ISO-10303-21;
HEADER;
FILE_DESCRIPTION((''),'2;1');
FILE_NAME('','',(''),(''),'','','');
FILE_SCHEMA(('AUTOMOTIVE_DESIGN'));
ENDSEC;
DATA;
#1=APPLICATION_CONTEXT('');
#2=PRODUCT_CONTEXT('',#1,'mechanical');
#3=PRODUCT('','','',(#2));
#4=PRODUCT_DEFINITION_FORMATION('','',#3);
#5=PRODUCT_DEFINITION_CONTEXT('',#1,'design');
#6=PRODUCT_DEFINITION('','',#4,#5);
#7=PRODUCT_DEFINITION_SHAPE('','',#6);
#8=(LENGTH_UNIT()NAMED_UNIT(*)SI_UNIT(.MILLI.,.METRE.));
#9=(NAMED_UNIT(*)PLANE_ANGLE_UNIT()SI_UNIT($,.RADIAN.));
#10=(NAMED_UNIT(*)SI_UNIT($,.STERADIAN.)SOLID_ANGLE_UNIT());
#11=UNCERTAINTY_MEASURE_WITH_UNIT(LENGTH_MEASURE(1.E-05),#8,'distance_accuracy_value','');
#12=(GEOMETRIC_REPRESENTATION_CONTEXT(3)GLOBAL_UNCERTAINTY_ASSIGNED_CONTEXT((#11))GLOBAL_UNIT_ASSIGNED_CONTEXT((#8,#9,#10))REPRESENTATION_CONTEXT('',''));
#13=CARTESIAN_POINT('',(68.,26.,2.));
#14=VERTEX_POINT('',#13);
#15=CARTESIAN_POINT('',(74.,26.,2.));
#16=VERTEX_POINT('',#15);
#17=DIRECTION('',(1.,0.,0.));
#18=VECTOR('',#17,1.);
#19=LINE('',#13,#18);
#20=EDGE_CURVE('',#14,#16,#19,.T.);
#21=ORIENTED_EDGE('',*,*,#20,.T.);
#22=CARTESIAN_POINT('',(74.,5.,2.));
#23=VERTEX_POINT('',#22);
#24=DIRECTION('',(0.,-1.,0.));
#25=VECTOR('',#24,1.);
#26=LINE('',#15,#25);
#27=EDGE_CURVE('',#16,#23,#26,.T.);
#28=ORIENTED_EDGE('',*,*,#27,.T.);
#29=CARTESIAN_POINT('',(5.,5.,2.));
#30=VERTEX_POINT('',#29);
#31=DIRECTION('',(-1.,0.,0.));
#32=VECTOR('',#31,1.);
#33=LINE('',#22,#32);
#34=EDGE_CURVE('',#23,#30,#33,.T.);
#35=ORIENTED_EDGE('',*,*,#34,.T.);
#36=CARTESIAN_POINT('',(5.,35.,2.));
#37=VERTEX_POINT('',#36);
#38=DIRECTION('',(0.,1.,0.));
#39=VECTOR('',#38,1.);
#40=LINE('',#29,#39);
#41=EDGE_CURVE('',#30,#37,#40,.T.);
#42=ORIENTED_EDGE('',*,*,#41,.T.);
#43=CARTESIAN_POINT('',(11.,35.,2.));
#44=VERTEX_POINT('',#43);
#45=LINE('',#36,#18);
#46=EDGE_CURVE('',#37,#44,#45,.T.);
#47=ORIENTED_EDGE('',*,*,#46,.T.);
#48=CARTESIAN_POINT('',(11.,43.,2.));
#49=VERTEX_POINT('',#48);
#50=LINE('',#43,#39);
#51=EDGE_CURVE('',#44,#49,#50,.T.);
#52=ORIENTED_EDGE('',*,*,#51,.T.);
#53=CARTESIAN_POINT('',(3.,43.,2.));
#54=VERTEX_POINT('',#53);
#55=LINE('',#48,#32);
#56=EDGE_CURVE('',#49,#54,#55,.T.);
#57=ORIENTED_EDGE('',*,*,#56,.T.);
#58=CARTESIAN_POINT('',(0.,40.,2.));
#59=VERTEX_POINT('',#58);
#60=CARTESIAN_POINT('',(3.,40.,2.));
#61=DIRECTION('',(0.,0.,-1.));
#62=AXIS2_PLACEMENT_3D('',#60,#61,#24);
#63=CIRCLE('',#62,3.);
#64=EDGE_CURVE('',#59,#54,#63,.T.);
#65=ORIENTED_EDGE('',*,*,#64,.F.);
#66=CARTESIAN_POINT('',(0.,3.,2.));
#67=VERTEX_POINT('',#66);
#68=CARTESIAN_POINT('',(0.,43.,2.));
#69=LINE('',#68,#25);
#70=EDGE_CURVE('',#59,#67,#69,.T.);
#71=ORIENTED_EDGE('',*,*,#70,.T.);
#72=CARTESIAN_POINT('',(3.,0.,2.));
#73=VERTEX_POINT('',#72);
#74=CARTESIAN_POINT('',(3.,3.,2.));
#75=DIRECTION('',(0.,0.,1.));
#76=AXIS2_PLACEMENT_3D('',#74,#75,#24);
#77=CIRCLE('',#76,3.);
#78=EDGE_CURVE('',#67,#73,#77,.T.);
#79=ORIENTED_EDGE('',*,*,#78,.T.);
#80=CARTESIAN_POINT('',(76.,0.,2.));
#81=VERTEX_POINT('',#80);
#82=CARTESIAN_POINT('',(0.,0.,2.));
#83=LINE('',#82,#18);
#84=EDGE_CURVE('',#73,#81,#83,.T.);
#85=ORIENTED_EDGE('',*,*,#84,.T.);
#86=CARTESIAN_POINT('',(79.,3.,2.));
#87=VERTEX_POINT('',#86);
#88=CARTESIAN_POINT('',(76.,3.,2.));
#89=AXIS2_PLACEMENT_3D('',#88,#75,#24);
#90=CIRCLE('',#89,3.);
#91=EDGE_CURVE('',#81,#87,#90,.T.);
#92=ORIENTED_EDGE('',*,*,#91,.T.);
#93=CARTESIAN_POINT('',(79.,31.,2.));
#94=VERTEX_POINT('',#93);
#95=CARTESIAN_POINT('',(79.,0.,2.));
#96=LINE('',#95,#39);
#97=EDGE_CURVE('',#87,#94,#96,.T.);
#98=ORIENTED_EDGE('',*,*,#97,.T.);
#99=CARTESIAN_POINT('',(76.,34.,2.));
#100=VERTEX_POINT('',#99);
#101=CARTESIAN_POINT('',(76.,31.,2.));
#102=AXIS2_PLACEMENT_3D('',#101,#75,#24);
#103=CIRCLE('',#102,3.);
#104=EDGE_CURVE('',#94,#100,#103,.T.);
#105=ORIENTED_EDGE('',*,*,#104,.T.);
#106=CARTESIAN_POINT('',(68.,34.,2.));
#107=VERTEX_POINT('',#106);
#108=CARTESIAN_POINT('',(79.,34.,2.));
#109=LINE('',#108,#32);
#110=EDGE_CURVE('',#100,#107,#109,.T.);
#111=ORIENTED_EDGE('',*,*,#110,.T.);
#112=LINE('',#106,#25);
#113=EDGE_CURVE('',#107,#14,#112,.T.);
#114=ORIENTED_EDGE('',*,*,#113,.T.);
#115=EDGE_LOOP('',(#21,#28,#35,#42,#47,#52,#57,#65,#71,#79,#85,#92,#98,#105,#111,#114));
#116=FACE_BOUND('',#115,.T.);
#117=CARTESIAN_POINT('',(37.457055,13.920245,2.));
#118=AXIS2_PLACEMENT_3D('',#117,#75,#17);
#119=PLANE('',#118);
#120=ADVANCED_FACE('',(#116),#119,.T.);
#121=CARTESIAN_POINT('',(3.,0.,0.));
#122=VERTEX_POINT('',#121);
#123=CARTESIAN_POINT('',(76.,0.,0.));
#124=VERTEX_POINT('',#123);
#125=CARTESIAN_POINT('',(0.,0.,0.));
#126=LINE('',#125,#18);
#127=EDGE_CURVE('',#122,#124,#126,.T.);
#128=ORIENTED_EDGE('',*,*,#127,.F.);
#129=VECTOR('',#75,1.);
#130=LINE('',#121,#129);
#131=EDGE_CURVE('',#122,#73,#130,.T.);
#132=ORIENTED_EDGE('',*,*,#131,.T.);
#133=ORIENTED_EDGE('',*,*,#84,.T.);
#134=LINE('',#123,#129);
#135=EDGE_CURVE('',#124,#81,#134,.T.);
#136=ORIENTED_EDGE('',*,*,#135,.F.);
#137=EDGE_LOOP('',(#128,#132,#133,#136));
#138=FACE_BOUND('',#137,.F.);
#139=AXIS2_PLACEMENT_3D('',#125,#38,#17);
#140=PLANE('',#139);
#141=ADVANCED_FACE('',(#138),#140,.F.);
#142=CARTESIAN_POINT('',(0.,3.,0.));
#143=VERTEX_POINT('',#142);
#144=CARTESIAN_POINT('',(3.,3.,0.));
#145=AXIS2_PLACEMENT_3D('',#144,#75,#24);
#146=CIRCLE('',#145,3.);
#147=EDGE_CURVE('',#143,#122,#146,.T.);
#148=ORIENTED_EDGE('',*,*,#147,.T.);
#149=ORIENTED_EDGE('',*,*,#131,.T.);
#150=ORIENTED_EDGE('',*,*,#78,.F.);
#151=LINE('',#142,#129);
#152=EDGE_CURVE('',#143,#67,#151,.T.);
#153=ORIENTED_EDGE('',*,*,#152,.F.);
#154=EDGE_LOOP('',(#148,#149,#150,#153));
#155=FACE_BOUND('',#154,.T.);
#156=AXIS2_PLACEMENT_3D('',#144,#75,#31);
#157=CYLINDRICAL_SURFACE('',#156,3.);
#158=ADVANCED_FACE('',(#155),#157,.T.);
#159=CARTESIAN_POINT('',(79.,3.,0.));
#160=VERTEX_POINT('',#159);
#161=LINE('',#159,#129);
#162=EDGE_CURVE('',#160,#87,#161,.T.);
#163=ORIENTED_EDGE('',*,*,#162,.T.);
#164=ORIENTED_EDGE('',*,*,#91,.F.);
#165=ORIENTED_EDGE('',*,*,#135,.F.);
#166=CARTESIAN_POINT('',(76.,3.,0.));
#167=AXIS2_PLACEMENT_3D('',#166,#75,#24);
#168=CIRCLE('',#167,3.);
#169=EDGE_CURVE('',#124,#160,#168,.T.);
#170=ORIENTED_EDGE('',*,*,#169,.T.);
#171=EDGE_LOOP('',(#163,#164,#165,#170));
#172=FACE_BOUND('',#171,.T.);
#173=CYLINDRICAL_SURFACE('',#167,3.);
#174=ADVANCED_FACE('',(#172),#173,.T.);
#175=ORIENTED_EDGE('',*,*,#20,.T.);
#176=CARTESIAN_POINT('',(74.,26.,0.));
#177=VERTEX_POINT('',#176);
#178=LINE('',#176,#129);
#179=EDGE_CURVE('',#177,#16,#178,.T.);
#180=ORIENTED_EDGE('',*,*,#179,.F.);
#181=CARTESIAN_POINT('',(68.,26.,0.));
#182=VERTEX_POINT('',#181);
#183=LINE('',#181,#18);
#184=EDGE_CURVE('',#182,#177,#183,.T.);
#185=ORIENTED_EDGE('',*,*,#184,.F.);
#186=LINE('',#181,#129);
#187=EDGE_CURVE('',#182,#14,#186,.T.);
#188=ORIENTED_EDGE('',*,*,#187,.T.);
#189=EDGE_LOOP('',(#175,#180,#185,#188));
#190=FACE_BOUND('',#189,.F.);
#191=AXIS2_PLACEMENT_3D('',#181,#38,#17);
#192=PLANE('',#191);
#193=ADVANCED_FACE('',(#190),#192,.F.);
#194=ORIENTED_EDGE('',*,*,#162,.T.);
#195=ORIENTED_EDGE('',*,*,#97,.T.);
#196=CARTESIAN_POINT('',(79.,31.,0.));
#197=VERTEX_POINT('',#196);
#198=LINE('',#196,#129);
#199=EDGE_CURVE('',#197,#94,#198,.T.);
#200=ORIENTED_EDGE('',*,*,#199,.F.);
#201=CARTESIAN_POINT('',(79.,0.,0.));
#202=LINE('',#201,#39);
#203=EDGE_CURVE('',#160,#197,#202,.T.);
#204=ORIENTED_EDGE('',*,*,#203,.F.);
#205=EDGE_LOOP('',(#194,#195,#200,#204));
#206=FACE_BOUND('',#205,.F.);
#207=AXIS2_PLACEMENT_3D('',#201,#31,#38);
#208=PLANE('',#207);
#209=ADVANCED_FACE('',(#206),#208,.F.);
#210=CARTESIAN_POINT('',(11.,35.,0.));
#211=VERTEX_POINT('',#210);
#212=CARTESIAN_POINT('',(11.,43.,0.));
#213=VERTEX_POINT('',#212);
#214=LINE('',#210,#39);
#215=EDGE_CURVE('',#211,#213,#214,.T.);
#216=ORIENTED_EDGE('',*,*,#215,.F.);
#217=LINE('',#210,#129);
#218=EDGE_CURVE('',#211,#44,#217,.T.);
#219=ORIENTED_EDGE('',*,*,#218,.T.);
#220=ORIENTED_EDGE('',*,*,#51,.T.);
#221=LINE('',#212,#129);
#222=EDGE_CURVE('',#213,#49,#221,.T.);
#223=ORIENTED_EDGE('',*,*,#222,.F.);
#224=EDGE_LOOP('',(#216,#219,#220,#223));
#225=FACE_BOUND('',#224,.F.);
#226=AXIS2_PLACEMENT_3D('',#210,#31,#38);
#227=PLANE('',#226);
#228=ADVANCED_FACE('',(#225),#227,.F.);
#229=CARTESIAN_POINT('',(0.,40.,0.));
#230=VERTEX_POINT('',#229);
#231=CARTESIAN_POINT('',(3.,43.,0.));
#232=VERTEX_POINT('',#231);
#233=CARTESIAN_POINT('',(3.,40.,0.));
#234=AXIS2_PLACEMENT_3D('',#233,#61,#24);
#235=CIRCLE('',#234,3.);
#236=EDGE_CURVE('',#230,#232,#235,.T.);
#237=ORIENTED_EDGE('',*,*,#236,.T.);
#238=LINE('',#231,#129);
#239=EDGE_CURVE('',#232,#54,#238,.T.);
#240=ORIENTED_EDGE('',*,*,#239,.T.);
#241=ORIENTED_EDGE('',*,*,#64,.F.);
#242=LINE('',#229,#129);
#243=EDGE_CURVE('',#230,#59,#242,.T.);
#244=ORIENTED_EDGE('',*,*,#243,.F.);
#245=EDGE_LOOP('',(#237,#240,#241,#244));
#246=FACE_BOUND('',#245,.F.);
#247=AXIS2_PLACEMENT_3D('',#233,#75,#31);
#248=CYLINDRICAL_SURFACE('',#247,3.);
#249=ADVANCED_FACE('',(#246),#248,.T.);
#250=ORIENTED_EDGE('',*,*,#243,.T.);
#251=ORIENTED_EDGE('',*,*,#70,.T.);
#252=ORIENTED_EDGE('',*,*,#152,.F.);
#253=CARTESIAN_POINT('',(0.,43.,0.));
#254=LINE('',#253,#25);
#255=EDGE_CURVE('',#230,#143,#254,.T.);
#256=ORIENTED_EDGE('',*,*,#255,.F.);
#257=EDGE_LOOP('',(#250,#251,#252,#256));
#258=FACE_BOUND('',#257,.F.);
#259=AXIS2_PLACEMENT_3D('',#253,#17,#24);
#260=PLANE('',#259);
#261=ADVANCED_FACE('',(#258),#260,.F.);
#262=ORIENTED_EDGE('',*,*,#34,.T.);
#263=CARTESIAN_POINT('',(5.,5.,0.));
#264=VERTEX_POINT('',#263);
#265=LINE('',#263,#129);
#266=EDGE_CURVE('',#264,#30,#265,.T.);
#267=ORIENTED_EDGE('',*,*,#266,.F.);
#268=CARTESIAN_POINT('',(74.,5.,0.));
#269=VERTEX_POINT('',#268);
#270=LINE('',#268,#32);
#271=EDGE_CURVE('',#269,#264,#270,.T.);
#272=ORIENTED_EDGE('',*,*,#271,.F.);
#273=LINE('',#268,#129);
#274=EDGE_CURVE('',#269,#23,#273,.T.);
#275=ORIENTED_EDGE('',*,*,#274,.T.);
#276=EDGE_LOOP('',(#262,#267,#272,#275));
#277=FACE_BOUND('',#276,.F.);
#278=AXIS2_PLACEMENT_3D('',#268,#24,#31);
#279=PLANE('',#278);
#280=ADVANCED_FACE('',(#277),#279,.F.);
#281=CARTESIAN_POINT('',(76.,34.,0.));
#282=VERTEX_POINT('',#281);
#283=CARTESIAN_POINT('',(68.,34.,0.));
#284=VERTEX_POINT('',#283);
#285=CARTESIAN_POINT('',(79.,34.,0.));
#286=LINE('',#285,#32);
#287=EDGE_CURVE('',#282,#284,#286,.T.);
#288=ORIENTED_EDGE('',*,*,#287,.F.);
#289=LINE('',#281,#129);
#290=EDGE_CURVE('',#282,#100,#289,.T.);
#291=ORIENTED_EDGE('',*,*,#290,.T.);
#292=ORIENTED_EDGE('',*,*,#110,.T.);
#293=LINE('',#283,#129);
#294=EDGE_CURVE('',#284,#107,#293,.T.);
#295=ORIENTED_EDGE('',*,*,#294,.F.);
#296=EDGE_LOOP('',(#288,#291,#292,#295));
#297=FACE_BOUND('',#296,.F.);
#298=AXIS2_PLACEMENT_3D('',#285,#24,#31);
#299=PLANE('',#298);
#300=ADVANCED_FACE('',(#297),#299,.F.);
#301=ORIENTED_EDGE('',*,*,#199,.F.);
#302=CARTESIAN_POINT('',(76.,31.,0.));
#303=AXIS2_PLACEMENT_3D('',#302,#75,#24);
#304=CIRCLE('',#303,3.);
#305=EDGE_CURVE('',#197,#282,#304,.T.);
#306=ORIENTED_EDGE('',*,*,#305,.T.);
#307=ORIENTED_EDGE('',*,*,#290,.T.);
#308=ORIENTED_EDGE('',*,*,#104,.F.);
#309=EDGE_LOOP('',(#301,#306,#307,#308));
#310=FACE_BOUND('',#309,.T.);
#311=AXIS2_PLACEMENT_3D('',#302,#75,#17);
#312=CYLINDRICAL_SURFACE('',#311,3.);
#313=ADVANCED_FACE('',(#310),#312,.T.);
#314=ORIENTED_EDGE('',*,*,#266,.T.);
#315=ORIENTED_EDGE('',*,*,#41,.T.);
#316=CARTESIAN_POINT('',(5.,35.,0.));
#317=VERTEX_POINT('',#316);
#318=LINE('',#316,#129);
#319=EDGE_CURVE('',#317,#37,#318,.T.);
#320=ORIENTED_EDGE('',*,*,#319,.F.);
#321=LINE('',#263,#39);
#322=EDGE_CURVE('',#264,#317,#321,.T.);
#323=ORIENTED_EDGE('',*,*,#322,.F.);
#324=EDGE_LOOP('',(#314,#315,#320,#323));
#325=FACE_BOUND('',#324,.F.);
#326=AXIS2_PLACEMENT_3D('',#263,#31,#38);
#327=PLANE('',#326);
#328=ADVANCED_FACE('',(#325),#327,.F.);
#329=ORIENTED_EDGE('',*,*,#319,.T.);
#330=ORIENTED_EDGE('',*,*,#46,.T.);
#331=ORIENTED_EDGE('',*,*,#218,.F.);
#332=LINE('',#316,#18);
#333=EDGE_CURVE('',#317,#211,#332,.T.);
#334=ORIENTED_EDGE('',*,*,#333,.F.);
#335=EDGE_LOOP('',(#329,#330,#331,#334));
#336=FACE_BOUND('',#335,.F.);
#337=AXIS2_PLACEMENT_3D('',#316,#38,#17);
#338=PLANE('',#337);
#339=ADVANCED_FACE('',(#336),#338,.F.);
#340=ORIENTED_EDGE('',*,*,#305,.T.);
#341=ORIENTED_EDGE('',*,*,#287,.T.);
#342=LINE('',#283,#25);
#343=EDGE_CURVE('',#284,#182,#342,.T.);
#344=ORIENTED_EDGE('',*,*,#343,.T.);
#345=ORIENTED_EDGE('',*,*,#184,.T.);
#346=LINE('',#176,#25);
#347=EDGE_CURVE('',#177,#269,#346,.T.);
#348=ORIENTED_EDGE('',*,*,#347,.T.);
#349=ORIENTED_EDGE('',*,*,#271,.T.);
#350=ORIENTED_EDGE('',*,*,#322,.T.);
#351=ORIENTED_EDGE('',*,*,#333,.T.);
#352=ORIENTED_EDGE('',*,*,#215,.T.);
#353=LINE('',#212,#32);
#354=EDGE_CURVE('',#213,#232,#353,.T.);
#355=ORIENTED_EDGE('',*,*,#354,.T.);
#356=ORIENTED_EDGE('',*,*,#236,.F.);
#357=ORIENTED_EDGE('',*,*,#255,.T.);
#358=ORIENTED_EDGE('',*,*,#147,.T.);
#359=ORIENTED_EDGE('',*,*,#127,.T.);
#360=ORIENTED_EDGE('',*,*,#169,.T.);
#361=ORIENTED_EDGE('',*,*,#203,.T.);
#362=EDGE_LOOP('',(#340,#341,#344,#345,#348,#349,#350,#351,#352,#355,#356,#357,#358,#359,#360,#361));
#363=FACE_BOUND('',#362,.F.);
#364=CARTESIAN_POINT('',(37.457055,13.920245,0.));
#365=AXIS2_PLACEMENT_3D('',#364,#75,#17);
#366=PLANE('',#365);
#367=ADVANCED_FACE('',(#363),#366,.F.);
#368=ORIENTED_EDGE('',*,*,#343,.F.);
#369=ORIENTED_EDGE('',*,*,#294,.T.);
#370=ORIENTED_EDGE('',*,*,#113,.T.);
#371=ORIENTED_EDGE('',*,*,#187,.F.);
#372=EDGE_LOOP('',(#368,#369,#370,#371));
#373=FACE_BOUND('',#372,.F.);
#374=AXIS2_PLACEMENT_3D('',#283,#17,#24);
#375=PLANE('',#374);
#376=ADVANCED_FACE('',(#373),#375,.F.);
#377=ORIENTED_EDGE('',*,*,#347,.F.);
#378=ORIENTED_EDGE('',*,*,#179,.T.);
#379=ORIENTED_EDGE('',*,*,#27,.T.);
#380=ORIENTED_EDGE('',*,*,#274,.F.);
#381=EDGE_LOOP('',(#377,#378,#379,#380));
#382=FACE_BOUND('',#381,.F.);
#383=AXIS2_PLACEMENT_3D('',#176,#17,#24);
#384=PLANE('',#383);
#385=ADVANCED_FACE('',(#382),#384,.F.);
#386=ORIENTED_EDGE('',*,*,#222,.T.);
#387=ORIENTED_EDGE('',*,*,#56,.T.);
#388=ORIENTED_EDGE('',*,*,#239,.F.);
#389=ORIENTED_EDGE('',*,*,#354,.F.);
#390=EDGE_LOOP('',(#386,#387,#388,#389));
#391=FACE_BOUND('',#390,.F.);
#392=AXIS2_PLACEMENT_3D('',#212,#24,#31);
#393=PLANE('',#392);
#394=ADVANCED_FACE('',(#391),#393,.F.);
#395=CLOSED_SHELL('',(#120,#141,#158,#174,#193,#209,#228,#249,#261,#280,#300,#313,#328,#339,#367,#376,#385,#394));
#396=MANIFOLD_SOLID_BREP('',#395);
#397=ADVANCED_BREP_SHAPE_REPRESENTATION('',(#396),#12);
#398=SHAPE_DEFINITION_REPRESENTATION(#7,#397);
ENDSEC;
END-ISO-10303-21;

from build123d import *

# Parameters (mm, degrees)
F1_DEPTH = 2
F2_R     = 3


with BuildPart() as f1:
    # F0 (on Top) → F1 (new body)
    with BuildSketch(Plane.XY):
        Polygon((0, 43), (0, 0), (79, 0), (79, 34), (68, 34), (68, 26), (74, 26), (74, 5), (5, 5), (5, 35), (11, 35), (11, 43), align=None)
    extrude(amount=F1_DEPTH)

    # F2
    f2_edges = [f1.edges().sort_by_distance(p)[0] for p in [
        (79, 34, 1),
        (79, 0, 1),
        (0, 0, 1),
        (0, 43, 1),
    ]]
    fillet(f2_edges, radius=F2_R)


solid = f1.part
